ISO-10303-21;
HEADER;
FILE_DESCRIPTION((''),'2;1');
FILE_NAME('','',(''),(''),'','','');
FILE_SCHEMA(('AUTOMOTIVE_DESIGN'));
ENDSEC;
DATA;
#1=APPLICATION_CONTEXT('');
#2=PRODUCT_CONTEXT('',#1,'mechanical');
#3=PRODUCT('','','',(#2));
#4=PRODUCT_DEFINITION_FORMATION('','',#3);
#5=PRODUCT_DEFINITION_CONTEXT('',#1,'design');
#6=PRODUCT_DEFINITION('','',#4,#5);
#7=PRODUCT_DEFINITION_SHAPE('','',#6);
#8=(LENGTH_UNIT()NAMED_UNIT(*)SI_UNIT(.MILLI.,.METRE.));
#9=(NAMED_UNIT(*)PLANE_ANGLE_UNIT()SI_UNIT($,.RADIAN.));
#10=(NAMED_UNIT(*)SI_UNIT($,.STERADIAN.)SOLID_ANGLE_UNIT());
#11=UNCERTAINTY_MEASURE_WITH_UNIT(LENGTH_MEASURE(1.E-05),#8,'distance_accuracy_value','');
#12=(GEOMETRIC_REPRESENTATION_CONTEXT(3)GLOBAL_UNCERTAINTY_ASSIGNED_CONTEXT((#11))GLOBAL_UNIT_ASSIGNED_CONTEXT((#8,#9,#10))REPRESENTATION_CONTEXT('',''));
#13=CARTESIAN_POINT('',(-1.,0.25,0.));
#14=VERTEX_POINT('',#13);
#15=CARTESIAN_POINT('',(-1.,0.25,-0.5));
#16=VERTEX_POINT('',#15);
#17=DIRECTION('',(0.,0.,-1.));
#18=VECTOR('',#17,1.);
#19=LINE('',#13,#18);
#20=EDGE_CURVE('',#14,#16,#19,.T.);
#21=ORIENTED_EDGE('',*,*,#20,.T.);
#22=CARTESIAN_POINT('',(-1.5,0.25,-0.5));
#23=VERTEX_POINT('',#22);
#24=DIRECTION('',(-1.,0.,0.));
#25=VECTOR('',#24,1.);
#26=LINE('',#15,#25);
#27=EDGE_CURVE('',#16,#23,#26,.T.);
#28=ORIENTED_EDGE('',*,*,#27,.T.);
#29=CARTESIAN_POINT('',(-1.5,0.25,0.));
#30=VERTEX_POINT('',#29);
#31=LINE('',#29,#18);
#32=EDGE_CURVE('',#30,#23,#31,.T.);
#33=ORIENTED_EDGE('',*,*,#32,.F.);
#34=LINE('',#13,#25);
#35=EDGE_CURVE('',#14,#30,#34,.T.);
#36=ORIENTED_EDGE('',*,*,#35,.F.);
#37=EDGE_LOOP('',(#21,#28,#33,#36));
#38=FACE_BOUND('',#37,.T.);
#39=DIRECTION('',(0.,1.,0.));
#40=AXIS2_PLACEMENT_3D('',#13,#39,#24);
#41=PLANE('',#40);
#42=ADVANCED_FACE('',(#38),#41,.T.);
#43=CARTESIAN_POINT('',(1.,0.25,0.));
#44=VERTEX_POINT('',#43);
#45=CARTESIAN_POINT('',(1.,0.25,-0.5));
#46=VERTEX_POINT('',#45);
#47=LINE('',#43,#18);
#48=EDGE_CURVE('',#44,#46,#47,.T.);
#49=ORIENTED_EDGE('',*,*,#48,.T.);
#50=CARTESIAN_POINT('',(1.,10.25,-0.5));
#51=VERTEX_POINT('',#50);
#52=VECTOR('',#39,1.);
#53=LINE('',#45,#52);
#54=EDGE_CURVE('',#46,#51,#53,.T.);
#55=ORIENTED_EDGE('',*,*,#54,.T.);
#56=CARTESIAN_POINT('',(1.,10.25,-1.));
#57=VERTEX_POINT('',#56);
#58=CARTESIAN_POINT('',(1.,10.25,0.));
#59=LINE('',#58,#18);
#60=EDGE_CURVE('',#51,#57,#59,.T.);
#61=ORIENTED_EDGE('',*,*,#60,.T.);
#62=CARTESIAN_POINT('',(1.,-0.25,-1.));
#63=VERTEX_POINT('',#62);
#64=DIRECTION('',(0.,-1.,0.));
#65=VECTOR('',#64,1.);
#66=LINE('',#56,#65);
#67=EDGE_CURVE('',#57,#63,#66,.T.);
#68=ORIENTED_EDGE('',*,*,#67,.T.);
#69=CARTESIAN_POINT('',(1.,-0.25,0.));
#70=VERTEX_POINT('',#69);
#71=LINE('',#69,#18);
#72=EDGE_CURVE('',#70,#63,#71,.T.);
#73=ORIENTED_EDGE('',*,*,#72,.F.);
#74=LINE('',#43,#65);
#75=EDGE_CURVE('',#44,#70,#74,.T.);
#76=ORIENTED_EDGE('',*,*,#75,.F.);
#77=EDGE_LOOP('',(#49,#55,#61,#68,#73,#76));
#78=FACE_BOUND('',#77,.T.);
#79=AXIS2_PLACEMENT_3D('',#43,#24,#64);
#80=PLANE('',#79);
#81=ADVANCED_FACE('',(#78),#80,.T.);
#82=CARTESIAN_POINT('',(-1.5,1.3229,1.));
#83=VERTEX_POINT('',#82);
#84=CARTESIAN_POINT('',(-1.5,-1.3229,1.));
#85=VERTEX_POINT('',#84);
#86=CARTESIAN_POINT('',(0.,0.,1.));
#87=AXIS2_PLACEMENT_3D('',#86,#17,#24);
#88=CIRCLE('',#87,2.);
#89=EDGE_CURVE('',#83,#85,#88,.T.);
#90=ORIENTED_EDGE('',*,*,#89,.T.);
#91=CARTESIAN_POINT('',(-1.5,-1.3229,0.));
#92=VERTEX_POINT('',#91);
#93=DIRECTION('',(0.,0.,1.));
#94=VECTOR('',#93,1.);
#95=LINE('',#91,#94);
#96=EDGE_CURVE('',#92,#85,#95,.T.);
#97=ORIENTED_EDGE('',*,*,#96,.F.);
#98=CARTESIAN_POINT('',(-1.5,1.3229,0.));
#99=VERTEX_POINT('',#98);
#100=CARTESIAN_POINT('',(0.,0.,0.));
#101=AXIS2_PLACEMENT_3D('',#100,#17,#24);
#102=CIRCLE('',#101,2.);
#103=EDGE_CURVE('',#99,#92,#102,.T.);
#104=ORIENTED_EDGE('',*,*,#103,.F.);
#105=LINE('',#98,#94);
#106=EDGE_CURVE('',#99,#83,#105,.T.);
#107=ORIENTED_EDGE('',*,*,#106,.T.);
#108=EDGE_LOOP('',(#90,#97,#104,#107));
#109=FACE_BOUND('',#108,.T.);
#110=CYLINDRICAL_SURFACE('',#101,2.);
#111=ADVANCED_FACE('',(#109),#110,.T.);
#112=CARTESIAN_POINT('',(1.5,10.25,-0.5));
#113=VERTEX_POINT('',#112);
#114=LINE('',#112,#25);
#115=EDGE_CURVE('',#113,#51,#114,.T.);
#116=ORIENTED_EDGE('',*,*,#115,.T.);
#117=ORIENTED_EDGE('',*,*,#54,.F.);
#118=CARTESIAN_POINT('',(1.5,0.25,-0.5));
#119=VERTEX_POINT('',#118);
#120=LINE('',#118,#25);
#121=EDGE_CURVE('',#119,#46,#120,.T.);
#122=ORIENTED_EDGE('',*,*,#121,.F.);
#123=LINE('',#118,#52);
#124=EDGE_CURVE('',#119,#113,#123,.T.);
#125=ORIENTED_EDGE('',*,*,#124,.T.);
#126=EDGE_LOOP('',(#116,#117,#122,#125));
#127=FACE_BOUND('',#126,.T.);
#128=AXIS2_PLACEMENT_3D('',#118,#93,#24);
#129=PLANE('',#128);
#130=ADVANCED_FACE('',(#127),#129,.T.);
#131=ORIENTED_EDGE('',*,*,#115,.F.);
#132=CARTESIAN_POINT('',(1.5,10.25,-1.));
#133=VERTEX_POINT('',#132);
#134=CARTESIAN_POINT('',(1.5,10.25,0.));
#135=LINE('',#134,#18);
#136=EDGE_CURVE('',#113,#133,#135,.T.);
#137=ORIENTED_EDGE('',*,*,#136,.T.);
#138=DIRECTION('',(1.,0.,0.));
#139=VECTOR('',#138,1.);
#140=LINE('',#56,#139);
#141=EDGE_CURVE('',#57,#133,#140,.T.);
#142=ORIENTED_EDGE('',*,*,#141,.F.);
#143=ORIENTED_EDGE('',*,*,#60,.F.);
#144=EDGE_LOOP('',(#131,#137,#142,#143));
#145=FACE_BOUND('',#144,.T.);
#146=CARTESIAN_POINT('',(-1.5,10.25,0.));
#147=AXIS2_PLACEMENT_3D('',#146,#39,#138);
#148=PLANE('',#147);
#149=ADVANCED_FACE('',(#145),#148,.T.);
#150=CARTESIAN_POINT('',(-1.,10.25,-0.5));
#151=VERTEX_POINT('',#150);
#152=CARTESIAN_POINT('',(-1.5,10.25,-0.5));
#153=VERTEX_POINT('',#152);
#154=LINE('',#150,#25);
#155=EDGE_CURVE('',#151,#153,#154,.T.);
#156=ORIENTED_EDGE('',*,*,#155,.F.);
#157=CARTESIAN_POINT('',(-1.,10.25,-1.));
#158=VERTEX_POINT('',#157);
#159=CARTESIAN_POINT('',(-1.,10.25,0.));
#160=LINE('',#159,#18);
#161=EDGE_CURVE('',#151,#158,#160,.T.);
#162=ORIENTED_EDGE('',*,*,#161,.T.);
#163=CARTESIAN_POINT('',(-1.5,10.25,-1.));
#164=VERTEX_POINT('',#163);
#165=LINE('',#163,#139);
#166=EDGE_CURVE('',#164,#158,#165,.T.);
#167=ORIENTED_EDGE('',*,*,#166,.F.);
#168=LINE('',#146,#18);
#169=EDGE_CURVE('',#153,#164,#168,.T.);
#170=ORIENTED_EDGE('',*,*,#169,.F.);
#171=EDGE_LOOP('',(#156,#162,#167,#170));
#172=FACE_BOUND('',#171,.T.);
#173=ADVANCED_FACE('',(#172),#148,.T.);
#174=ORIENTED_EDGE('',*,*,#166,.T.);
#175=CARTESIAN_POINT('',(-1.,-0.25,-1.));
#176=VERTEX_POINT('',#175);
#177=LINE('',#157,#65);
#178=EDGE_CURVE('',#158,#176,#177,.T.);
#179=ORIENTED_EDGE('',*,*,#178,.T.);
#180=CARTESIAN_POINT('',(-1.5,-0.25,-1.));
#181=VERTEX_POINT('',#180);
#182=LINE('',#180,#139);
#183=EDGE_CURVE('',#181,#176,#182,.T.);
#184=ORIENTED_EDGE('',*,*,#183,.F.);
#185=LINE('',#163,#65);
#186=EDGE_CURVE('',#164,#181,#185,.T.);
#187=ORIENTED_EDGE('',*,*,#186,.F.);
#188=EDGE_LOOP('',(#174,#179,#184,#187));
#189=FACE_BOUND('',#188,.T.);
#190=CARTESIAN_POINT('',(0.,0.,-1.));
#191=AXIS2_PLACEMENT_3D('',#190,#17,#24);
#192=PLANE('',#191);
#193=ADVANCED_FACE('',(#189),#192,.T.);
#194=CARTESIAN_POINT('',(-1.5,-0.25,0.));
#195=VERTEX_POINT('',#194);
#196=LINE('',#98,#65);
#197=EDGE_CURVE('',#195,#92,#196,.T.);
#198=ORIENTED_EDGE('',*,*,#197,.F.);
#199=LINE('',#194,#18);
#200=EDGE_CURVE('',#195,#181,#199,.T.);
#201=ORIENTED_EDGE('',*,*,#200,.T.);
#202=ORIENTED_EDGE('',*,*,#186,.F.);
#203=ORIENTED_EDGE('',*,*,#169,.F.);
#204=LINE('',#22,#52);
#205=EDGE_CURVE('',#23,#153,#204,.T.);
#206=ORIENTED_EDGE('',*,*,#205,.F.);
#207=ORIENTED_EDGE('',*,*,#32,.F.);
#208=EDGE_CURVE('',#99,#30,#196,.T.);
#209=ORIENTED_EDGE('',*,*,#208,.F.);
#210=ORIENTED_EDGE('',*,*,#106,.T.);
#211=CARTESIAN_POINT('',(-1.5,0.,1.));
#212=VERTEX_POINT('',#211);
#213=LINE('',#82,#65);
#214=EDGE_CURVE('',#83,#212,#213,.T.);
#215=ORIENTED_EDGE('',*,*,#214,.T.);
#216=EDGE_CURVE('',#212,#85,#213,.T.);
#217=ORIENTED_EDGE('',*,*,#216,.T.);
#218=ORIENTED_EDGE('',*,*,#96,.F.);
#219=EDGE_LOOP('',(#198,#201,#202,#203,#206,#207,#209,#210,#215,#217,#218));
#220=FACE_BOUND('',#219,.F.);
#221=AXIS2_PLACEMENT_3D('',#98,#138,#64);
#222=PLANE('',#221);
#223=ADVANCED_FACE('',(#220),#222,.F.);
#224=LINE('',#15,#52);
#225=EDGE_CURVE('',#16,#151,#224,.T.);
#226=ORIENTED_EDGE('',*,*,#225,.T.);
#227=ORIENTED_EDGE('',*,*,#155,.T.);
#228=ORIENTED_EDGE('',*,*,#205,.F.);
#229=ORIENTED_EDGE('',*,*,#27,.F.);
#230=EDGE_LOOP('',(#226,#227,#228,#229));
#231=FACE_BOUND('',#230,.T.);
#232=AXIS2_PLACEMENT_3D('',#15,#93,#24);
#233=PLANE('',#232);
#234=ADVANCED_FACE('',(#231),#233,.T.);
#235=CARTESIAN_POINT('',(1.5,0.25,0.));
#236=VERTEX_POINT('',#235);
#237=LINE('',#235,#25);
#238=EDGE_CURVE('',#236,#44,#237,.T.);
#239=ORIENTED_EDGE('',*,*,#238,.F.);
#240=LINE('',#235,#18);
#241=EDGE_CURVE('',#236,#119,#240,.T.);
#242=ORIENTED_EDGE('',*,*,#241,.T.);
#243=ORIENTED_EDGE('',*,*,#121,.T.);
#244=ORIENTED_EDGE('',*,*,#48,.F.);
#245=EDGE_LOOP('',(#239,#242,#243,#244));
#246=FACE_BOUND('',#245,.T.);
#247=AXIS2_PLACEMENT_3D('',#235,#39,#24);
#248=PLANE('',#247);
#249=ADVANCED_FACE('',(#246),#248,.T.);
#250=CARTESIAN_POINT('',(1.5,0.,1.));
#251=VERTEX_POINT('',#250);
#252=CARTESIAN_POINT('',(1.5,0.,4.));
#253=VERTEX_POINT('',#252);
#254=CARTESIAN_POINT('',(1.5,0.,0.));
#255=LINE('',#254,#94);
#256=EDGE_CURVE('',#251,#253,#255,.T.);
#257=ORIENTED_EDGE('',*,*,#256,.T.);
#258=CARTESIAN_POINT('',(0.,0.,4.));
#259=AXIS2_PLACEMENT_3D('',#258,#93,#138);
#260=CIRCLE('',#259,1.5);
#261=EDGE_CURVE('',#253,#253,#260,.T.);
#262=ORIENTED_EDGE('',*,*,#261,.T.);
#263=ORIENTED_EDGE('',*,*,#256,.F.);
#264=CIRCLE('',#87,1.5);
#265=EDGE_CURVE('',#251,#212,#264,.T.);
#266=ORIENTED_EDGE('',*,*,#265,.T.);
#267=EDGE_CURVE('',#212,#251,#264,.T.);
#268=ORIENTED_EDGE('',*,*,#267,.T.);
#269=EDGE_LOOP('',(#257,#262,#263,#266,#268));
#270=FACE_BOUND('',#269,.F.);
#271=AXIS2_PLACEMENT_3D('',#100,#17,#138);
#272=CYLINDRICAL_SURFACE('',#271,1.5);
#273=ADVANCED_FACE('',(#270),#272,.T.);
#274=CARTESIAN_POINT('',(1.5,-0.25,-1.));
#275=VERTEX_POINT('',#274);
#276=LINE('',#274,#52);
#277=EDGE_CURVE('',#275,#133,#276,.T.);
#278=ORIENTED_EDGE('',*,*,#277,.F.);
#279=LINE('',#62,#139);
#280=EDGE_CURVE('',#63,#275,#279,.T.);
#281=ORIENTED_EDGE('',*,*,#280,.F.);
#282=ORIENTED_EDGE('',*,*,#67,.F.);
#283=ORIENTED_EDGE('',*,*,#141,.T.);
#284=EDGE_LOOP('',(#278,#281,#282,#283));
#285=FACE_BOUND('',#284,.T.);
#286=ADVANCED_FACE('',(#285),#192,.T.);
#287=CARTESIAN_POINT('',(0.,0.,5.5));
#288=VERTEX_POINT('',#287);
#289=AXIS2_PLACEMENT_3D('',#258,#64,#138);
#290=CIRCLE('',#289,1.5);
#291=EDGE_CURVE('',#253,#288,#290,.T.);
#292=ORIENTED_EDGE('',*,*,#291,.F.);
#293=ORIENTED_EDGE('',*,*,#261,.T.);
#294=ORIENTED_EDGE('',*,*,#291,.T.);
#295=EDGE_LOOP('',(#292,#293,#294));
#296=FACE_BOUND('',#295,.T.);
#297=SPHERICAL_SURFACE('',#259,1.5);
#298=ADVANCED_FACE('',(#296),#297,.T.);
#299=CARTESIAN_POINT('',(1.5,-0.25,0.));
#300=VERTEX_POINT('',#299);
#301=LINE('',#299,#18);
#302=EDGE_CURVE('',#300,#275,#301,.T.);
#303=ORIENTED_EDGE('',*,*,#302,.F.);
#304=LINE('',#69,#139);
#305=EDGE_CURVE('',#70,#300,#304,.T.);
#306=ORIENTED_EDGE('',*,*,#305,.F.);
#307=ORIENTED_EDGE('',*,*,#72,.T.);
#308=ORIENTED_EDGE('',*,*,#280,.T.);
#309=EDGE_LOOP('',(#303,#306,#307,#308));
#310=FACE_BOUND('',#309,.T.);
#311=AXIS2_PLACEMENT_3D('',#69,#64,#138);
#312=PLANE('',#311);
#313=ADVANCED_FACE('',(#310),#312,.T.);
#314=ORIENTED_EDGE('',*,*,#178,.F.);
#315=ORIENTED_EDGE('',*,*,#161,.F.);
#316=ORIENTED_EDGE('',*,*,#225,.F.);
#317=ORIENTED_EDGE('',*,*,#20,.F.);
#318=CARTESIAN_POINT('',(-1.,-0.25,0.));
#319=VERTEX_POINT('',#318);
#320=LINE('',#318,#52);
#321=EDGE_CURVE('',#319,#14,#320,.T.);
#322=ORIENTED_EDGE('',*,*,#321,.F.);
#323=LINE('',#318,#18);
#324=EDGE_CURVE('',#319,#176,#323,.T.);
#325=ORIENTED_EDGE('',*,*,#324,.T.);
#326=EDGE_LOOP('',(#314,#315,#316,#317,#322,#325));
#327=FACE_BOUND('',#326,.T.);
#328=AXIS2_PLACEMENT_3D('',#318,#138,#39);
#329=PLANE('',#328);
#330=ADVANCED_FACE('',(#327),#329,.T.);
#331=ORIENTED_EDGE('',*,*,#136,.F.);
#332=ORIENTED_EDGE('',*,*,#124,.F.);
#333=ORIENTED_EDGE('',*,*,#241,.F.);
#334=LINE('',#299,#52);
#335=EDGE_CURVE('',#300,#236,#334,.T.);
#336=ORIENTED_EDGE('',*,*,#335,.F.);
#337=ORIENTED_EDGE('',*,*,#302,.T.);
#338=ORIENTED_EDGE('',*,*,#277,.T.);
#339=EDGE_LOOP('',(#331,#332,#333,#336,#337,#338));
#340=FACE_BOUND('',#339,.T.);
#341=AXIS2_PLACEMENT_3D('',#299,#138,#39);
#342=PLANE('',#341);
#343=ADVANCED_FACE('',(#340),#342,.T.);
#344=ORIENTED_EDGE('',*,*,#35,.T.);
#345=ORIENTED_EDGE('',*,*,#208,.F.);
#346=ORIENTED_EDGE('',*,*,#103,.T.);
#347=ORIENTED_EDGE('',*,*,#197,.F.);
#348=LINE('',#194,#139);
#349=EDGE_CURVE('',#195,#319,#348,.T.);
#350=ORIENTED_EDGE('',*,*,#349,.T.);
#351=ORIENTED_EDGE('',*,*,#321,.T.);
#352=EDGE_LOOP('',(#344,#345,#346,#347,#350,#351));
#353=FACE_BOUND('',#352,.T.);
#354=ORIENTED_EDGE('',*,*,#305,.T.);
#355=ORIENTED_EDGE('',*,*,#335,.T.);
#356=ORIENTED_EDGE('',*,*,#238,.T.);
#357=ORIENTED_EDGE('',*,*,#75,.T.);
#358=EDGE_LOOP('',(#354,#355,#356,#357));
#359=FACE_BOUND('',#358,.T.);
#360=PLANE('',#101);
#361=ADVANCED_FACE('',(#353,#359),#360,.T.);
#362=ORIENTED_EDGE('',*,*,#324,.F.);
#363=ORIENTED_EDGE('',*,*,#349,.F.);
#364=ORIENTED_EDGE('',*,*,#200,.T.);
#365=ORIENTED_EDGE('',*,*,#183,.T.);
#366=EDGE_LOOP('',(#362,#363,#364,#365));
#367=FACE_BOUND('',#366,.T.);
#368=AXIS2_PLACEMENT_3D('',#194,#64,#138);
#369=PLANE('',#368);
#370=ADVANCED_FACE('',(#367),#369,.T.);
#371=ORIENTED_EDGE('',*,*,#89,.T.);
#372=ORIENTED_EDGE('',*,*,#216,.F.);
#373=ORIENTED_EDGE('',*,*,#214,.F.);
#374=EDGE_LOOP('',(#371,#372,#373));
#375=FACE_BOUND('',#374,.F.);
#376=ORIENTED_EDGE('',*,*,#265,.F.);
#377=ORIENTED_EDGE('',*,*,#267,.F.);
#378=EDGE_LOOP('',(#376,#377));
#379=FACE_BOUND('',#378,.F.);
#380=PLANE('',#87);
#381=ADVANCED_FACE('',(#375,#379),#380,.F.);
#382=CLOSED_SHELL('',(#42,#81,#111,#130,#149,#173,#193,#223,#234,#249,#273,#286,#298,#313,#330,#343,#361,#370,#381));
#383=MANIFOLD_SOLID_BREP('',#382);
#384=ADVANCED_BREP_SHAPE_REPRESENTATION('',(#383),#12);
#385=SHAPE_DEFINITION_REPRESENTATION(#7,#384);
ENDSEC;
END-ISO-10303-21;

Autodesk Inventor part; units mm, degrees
ref_plane "YZ Plane" through (0, 0, 0) normal (1, 0, 0) x (0, 1, 0)
ref_plane "XZ Plane" through (0, 0, 0) normal (0, 1, 0) x (-1, 0, 0)
ref_plane "XY Plane" through (0, 0, 0) normal (0, 0, 1) x (1, 0, 0)
sketch "Skizze1" plane through (0, 0, 0) normal (0, 0, 1) x (1, 0, 0)
  circle A0 centre (0, 0) radius 1.5
  dimension "d0" = 3
extrude "Extrusion1" add sketch "Skizze1" along normal blind 5.5
fillet "Rundung1" radius 1.5 1 edges at (-1.5, 0, 5.5)
sketch "Skizze2" plane through (0, 0, 0) normal (0, 0, -1) x (-1, 0, 0)
  circle A0 centre (0, 0) radius 2
  line L0 (1.5, 1.3229) -> (1.5, -1.3229)
  circle A1 centre (0, 0) radius 1.5 projected
  point P0 (1.5, 0)
  dimension "d4" = 4
extrude "Extrusion2" add sketch "Skizze2" against normal blind 1 contours L0 A0 picked at (-1.7994, 0.2793)
sketch "Skizze3" plane through (0, 0, 0) normal (0, 0, -1) x (-1, 0, 0)
  line L0 (1.5, -0.25) -> (1, -0.25)
  line L1 (1, -0.25) -> (1, 0.25)
  line L2 (1, 0.25) -> (1.5, 0.25)
  line L3 (1.5, 0.25) -> (1.5, -0.25)
  line L4 (-1, -0.25) -> (-1.5, -0.25)
  line L5 (-1.5, -0.25) -> (-1.5, 0.25)
  line L6 (-1.5, 0.25) -> (-1, 0.25)
  line L7 (-1, 0.25) -> (-1, -0.25)
  line L8 (1, 0) -> (-1, 0) construction
  point P0 (0, 0)
  point P1 (0, 0)
  point P2 (1.25, -0.25)
  point P3 (-1.25, -0.25)
  dimension "d7" = 0.5
  dimension "d9" = 2.5
extrude "Extrusion3" add sketch "Skizze3" along normal blind 1
sketch "Skizze4" plane through (-1.5, 0.25, 0) normal (0, 1, 0) x (1, 0, 0)
  line L0 (0, 0) -> (0, 1) projected
  line L1 (0.5, 0) -> (0.5, 1) projected
  line L2 (0, 1) -> (0.5, 1)
  line L3 (0.5, 1) -> (0.5, 0.5)
  line L4 (0.5, 0.5) -> (0, 0.5)
  line L5 (0, 0.5) -> (0, 1)
  line L6 (2.5, 0) -> (2.5, 1) projected
  line L7 (3, 0) -> (3, 1) projected
  line L8 (2.5, 1) -> (3, 1)
  line L9 (3, 1) -> (3, 0.5)
  line L10 (3, 0.5) -> (2.5, 0.5)
  line L11 (2.5, 0.5) -> (2.5, 1)
  point P0 (1.5, 0)
extrude "Extrusion4" add sketch "Skizze4" along normal blind 10
properties part number "LED 3mm" material "Silber"
